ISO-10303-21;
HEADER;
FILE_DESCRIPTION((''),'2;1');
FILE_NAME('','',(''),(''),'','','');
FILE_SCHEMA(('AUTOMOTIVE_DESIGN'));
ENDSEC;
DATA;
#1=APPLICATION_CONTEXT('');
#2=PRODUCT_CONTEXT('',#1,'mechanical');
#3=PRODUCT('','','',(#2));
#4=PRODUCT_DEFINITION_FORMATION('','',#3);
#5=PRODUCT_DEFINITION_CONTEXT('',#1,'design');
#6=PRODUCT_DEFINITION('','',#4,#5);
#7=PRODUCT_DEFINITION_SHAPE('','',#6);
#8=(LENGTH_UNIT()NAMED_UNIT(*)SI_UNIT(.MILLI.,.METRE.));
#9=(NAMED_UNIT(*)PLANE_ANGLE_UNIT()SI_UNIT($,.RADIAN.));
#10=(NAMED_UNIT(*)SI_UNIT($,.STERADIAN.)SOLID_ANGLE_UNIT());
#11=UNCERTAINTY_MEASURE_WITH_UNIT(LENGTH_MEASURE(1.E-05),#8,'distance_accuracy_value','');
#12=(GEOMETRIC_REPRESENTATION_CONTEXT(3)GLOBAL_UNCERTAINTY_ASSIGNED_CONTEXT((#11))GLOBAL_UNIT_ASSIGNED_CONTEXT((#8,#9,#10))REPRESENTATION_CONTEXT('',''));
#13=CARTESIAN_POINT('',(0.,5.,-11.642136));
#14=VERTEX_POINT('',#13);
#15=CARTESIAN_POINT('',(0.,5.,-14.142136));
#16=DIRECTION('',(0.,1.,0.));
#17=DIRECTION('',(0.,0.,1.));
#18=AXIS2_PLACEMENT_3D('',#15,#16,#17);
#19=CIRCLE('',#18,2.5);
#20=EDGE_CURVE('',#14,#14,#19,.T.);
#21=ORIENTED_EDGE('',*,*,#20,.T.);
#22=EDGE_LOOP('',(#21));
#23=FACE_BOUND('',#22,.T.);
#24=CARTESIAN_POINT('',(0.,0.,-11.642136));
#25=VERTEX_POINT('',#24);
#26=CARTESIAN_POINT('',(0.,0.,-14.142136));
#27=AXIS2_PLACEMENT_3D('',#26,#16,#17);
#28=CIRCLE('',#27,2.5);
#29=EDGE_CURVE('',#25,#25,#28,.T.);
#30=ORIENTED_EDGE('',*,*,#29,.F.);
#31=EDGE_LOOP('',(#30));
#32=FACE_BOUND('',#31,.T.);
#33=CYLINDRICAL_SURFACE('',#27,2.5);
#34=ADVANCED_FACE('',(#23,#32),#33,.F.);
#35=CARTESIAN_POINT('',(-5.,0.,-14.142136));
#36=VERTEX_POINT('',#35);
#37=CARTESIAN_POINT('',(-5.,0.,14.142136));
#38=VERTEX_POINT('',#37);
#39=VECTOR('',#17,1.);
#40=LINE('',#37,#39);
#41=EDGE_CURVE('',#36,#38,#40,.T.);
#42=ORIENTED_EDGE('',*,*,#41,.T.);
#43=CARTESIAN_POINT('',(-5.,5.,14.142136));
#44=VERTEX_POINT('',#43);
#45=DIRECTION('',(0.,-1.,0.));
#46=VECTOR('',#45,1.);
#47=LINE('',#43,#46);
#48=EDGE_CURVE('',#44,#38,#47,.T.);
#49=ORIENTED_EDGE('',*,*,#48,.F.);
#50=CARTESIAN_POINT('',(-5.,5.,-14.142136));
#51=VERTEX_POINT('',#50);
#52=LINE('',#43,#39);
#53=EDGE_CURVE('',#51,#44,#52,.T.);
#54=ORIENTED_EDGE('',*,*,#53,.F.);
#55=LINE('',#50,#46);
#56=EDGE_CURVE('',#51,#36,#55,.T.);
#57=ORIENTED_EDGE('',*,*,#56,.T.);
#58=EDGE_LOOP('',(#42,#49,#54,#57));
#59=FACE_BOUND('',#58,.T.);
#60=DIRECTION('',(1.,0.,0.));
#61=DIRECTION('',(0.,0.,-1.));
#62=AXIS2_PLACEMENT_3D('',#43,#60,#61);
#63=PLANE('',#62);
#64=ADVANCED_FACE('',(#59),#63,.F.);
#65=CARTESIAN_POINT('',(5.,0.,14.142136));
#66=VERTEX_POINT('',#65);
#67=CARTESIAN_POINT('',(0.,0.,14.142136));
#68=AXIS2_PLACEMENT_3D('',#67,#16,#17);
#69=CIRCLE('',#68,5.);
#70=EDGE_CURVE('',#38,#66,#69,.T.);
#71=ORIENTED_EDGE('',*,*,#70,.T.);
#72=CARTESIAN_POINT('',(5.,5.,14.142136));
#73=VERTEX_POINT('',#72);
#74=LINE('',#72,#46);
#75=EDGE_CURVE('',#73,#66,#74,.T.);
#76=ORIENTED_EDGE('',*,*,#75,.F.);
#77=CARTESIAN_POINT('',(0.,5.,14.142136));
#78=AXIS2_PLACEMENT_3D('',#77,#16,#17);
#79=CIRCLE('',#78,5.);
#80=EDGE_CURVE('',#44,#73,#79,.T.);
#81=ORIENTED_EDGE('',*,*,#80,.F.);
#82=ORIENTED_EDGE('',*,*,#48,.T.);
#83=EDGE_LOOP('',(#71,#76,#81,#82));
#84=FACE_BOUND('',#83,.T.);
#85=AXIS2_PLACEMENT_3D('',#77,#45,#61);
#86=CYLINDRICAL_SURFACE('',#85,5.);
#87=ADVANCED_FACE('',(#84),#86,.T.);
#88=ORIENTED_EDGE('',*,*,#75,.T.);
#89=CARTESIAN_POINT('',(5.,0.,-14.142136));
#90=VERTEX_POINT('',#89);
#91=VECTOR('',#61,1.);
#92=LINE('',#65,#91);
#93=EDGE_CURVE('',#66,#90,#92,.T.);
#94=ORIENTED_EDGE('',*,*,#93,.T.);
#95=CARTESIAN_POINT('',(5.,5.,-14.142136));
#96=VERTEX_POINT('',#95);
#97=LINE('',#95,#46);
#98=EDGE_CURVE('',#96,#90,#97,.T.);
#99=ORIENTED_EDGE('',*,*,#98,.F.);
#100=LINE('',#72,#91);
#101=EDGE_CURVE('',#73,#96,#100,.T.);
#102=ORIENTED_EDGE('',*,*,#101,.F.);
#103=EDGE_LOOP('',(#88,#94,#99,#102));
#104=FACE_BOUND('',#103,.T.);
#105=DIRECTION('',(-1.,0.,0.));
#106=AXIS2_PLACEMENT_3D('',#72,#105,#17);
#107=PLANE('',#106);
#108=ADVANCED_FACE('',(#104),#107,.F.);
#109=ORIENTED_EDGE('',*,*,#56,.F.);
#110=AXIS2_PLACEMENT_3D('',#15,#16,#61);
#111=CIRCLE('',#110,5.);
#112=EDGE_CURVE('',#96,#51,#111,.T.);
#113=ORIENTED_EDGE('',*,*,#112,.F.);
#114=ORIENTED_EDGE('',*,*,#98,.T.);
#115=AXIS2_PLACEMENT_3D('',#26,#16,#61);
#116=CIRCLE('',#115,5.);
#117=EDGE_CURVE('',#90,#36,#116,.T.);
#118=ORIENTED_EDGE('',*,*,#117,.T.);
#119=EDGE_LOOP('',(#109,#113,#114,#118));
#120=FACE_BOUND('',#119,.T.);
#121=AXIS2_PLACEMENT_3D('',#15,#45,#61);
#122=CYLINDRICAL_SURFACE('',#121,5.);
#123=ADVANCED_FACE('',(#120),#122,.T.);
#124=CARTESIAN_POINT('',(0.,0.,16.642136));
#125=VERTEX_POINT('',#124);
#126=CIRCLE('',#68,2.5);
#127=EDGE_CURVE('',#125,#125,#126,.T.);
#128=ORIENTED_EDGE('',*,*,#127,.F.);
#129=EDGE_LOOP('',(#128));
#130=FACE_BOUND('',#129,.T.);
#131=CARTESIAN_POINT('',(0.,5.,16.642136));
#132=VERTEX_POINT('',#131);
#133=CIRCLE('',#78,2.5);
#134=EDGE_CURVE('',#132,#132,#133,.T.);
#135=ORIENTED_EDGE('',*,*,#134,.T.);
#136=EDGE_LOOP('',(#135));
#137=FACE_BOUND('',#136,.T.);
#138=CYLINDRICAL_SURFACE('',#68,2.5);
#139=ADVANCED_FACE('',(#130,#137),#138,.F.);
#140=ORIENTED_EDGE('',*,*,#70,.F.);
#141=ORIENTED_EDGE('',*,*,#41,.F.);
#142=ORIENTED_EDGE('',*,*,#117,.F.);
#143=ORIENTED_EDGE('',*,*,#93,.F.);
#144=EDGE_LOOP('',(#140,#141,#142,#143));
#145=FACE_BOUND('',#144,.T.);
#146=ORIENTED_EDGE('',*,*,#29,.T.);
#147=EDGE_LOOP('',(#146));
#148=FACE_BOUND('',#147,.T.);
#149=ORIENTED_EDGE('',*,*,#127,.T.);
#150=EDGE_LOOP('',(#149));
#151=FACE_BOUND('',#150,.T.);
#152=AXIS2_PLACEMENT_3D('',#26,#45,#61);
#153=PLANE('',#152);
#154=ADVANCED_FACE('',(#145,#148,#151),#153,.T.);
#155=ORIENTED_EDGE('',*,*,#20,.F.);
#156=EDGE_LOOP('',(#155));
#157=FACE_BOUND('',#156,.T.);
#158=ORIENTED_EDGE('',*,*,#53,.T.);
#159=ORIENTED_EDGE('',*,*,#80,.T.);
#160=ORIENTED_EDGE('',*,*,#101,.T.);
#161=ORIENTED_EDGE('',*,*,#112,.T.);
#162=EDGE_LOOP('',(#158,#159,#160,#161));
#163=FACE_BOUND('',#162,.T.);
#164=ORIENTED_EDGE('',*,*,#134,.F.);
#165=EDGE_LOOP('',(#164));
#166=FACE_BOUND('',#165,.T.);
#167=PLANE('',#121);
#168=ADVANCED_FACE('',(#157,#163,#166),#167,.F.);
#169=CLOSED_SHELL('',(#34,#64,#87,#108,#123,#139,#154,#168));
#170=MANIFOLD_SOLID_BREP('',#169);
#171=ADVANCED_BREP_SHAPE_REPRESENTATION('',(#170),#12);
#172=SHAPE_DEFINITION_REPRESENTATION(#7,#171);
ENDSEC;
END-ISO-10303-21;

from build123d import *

# Parameters (mm, degrees)
BOSS_EXTRUDE1_DEPTH = 5
SKETCH2_R           = 2.5
CUT_EXTRUDE1_DEPTH  = 21.406404786


with BuildPart() as part:
    # Sketch1 → Boss-Extrude1 (new body)
    with BuildSketch(Plane(origin=(0, 0, 0), x_dir=(1, 0, 0), z_dir=(0, 1, 0))):
        with BuildLine():
            Line((-5, -14.142135625), (-5, 14.142135625))
            ThreePointArc((-5, 14.142135625), (0, 19.142135625), (5, 14.142135625))
            Line((5, 14.142135625), (5, -14.142135625))
            ThreePointArc((5, -14.142135625), (0, -19.142135625), (-5, -14.142135625))
        make_face()
    extrude(amount=BOSS_EXTRUDE1_DEPTH)

    # Sketch2 → Cut-Extrude1 (cut, through all)
    with BuildSketch(Plane(origin=(0, 5, 0), x_dir=(1, 0, 0), z_dir=(0, 1, 0))):
        with Locations(Location((0, 14.142135625, 0), (0, 0, 270))):
            Circle(SKETCH2_R)
        with Locations(Location((0, -14.142135625, 0), (0, 0, 270))):
            Circle(SKETCH2_R)
    extrude(amount=-CUT_EXTRUDE1_DEPTH, mode=Mode.SUBTRACT)


solid = part.part
